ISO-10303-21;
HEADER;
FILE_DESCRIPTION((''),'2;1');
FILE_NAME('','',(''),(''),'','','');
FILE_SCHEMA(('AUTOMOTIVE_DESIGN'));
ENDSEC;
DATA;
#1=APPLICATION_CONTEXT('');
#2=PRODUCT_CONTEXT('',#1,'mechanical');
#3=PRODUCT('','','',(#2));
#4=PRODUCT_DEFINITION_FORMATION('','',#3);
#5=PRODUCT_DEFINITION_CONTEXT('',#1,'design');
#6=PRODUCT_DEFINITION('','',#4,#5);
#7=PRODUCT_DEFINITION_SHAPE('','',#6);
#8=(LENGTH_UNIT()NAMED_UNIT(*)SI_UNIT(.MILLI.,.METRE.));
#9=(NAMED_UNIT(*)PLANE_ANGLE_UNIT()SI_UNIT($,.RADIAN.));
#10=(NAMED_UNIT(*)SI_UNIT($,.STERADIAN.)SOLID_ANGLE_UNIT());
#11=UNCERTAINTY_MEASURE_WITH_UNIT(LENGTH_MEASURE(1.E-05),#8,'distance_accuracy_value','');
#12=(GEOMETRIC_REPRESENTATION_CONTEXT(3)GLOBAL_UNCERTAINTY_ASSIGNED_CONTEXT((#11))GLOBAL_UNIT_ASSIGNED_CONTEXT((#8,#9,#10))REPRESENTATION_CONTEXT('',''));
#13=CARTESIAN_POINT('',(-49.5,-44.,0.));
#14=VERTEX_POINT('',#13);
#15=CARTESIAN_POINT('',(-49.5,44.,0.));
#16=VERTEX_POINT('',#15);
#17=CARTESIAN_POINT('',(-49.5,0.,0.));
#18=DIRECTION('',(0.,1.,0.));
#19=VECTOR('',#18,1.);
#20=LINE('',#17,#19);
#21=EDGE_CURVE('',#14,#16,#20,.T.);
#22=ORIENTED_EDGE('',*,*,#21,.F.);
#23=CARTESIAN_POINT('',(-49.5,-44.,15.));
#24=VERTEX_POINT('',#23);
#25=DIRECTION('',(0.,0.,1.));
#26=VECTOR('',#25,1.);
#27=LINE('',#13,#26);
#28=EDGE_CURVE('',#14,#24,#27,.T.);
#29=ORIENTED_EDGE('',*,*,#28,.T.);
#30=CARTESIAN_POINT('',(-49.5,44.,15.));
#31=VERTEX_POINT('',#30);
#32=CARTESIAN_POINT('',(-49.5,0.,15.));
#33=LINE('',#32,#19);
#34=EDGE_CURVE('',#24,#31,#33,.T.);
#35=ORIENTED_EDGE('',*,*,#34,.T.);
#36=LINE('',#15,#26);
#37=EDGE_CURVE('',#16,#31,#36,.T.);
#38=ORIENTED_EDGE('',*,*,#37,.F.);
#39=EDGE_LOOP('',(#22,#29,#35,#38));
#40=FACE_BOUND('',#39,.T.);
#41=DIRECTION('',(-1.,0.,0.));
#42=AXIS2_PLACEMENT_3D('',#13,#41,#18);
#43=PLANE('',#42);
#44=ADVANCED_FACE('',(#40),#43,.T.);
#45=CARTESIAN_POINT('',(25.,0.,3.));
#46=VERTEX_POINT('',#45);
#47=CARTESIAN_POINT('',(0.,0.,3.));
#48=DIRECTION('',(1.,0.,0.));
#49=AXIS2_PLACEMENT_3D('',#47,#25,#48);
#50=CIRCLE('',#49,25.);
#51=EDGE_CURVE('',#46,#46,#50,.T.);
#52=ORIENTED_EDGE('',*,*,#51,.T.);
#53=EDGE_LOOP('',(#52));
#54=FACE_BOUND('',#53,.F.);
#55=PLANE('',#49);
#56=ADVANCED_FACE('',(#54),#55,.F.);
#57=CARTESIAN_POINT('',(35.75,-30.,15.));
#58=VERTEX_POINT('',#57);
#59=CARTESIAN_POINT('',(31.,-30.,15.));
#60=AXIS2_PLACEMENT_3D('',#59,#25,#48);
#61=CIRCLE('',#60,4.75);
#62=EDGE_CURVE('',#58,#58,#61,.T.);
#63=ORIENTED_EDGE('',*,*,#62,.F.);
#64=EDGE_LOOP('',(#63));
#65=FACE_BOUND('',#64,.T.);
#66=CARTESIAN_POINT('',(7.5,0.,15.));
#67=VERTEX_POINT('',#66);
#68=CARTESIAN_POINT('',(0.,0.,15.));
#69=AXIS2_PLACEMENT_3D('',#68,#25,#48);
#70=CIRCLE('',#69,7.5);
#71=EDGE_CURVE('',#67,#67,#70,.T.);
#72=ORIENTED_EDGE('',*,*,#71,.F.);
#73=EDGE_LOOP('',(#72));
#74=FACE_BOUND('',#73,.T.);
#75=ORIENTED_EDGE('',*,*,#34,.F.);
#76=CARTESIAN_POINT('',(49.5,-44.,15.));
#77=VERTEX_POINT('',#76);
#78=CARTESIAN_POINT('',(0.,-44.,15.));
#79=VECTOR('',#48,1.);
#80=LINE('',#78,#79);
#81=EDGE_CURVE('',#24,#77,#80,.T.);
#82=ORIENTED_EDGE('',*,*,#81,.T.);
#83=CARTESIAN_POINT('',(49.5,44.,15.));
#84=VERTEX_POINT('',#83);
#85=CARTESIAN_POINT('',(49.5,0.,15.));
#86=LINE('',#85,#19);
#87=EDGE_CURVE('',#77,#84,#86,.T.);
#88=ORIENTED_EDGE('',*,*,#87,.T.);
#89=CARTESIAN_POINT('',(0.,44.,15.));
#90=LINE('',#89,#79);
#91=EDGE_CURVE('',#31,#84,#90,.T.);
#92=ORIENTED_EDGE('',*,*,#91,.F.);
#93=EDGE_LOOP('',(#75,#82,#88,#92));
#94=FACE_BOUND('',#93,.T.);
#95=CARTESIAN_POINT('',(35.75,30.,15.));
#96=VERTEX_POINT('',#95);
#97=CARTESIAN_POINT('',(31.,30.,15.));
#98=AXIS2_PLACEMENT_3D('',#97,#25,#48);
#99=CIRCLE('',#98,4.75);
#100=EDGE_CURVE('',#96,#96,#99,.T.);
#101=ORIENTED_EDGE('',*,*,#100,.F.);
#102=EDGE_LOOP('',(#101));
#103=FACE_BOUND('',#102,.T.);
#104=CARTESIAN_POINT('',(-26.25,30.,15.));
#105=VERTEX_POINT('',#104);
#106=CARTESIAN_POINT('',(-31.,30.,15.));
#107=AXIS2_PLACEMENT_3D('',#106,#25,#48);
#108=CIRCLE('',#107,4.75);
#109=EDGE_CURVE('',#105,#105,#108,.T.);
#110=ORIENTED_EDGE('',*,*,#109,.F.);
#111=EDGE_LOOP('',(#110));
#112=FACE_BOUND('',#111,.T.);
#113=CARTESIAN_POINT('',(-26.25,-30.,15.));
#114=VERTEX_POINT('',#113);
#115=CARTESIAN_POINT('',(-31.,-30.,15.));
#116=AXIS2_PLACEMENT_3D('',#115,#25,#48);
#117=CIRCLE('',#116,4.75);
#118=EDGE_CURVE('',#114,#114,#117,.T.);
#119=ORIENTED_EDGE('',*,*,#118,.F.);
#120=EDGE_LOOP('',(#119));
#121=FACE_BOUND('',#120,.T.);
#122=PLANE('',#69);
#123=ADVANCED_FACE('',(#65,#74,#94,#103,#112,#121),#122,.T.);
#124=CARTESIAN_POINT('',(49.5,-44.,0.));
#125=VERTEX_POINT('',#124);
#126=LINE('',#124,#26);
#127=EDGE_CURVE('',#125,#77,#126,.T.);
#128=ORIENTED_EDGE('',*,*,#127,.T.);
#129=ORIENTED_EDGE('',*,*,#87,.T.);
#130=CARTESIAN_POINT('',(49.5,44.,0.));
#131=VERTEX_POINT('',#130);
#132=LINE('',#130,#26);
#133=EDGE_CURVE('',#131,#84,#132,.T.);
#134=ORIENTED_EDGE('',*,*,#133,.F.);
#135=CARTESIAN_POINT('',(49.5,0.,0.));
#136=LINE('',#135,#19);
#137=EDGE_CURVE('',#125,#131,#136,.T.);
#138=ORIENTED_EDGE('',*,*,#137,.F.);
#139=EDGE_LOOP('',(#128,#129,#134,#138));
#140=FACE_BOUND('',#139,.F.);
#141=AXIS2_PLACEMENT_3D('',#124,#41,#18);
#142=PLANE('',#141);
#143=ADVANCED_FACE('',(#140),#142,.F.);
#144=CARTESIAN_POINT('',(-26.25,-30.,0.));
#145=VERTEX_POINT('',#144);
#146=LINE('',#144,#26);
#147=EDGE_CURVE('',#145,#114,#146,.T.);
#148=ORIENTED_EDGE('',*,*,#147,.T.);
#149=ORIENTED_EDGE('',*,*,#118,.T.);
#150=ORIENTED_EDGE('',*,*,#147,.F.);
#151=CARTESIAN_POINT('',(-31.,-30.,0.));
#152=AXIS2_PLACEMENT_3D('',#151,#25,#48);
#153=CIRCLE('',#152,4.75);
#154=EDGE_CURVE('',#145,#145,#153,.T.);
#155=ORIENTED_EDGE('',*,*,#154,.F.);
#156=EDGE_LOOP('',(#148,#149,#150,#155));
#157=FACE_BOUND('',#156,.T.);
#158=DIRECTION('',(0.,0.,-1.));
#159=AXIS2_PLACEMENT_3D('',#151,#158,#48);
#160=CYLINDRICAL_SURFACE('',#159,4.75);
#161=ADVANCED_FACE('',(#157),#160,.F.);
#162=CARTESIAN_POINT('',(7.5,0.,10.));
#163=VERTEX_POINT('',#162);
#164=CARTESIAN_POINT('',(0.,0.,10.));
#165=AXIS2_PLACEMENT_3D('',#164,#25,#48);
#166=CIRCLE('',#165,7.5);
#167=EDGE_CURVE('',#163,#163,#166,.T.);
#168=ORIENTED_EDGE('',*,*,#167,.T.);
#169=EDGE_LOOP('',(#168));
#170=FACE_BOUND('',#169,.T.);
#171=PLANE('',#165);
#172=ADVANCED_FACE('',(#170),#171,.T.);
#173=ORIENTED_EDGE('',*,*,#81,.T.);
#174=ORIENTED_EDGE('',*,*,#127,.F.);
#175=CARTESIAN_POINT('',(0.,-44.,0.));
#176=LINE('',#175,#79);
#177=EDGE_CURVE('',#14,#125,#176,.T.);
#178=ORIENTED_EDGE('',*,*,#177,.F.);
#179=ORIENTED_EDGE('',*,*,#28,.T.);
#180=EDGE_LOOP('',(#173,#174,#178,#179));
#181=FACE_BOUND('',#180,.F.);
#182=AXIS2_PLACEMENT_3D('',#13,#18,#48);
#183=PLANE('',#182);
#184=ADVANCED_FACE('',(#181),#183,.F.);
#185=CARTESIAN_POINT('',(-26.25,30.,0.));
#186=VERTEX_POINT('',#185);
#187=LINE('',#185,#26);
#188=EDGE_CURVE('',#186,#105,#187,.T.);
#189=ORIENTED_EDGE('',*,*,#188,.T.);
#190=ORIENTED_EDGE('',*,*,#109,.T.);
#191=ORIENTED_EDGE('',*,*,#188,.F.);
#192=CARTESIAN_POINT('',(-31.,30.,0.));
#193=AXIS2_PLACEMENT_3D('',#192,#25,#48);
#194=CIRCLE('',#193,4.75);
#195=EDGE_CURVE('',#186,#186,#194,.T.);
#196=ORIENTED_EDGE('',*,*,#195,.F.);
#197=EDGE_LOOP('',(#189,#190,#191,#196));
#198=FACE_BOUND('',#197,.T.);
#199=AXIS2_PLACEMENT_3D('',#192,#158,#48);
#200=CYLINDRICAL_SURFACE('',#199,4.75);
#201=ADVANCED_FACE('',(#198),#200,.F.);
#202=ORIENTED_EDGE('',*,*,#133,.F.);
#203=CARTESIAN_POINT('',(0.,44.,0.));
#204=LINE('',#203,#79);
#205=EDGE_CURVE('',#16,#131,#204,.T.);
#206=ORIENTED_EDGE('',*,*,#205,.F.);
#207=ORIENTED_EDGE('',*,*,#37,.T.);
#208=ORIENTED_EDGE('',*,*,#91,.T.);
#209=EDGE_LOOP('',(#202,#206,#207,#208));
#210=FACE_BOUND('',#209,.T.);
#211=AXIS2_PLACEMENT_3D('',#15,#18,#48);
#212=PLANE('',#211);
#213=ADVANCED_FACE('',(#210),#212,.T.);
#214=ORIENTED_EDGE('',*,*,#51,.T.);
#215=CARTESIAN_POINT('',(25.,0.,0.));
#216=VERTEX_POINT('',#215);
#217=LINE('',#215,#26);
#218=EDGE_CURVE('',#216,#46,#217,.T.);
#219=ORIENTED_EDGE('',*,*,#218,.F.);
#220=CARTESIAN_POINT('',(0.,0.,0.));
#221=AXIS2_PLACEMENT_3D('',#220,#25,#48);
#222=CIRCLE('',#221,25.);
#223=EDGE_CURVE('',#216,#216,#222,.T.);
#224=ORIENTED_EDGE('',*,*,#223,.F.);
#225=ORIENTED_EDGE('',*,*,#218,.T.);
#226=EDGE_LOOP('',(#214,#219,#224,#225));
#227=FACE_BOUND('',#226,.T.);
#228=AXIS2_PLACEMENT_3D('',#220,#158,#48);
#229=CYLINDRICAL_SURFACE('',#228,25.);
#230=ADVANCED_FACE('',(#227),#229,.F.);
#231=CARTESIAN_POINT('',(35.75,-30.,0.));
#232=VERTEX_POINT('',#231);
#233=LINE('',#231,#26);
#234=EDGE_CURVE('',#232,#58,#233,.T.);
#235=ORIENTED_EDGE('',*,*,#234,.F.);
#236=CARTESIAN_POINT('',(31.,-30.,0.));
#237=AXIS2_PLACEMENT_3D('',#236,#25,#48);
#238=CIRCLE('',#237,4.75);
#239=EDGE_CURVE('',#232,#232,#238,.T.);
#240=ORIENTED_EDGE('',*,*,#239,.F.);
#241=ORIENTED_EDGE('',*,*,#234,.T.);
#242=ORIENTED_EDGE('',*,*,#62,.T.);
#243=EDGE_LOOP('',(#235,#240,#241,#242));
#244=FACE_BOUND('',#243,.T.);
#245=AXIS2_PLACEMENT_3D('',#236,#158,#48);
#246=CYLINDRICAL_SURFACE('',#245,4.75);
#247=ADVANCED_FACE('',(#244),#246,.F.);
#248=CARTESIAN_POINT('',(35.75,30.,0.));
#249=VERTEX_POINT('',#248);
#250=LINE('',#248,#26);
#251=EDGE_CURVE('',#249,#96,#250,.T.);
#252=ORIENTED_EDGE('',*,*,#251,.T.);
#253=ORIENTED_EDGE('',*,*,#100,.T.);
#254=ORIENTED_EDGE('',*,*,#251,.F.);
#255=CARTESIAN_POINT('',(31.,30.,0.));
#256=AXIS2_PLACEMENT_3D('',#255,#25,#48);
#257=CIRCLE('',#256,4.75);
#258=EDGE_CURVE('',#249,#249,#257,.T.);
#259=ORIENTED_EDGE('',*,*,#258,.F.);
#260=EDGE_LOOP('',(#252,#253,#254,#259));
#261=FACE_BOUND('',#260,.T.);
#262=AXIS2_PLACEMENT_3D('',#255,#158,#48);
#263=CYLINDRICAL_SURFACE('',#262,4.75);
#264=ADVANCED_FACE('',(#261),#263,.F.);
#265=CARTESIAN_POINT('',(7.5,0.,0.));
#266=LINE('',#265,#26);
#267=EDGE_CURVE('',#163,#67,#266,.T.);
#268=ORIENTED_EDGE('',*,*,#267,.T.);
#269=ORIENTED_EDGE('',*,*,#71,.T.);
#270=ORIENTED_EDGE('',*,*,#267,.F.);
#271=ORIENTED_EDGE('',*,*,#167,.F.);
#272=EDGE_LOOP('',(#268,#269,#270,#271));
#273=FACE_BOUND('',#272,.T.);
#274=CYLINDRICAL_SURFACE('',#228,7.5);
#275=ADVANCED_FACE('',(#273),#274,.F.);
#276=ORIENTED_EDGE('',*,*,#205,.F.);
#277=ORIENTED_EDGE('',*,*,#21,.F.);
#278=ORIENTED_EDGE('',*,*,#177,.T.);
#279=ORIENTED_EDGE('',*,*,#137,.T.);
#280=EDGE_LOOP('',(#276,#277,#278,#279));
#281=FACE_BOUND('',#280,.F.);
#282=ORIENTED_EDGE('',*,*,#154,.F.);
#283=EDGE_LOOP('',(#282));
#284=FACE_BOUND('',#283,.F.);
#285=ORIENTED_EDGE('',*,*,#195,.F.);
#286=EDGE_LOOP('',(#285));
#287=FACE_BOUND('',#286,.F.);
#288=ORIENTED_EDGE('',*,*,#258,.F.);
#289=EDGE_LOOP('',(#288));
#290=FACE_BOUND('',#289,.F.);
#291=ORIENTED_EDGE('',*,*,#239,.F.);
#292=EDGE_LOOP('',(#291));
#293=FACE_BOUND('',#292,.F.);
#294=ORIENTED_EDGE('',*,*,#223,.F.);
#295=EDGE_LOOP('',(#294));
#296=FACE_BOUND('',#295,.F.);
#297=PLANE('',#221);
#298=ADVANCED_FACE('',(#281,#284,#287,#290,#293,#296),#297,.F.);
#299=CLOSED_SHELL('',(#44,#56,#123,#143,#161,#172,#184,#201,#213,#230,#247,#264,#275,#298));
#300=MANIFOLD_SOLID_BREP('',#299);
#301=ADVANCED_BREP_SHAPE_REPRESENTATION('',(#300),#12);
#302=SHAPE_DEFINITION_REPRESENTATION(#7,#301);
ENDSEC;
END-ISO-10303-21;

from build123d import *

# Parameters (mm, degrees)
F0_R     = 7.5
F1_DEPTH = 10
F0_W     = 99
F0_H     = 88
F0_R_2   = 4.75
F2_DEPTH = 15
F3_R     = 25
F3_R_2   = 7.5
F4_DEPTH = 3


with BuildPart() as f1:
    # F0 (on Top) → F1 (new body)
    with BuildSketch(Plane.XY):
        Circle(F0_R)
    extrude(amount=F1_DEPTH)

    # F0 (on Top) → F2 (join)
    with BuildSketch(Plane.XY):
        Rectangle(F0_W, F0_H)
        with Locations((-31, -30)):
            Circle(F0_R_2, mode=Mode.SUBTRACT)
        with Locations((31, -30)):
            Circle(F0_R_2, mode=Mode.SUBTRACT)
        with Locations((-31, 30)):
            Circle(F0_R_2, mode=Mode.SUBTRACT)
        Circle(F0_R, mode=Mode.SUBTRACT)
        with Locations((31, 30)):
            Circle(F0_R_2, mode=Mode.SUBTRACT)
    extrude(amount=F2_DEPTH)

    # F3 (on face) + F0 (on Top) → F4 (cut)
    with BuildSketch(Plane.XY):
        Circle(F3_R)
        Circle(F3_R_2, mode=Mode.SUBTRACT)
    with BuildSketch(Plane.XY):
        Circle(F0_R)
    extrude(amount=F4_DEPTH, mode=Mode.SUBTRACT)


solid = f1.part
